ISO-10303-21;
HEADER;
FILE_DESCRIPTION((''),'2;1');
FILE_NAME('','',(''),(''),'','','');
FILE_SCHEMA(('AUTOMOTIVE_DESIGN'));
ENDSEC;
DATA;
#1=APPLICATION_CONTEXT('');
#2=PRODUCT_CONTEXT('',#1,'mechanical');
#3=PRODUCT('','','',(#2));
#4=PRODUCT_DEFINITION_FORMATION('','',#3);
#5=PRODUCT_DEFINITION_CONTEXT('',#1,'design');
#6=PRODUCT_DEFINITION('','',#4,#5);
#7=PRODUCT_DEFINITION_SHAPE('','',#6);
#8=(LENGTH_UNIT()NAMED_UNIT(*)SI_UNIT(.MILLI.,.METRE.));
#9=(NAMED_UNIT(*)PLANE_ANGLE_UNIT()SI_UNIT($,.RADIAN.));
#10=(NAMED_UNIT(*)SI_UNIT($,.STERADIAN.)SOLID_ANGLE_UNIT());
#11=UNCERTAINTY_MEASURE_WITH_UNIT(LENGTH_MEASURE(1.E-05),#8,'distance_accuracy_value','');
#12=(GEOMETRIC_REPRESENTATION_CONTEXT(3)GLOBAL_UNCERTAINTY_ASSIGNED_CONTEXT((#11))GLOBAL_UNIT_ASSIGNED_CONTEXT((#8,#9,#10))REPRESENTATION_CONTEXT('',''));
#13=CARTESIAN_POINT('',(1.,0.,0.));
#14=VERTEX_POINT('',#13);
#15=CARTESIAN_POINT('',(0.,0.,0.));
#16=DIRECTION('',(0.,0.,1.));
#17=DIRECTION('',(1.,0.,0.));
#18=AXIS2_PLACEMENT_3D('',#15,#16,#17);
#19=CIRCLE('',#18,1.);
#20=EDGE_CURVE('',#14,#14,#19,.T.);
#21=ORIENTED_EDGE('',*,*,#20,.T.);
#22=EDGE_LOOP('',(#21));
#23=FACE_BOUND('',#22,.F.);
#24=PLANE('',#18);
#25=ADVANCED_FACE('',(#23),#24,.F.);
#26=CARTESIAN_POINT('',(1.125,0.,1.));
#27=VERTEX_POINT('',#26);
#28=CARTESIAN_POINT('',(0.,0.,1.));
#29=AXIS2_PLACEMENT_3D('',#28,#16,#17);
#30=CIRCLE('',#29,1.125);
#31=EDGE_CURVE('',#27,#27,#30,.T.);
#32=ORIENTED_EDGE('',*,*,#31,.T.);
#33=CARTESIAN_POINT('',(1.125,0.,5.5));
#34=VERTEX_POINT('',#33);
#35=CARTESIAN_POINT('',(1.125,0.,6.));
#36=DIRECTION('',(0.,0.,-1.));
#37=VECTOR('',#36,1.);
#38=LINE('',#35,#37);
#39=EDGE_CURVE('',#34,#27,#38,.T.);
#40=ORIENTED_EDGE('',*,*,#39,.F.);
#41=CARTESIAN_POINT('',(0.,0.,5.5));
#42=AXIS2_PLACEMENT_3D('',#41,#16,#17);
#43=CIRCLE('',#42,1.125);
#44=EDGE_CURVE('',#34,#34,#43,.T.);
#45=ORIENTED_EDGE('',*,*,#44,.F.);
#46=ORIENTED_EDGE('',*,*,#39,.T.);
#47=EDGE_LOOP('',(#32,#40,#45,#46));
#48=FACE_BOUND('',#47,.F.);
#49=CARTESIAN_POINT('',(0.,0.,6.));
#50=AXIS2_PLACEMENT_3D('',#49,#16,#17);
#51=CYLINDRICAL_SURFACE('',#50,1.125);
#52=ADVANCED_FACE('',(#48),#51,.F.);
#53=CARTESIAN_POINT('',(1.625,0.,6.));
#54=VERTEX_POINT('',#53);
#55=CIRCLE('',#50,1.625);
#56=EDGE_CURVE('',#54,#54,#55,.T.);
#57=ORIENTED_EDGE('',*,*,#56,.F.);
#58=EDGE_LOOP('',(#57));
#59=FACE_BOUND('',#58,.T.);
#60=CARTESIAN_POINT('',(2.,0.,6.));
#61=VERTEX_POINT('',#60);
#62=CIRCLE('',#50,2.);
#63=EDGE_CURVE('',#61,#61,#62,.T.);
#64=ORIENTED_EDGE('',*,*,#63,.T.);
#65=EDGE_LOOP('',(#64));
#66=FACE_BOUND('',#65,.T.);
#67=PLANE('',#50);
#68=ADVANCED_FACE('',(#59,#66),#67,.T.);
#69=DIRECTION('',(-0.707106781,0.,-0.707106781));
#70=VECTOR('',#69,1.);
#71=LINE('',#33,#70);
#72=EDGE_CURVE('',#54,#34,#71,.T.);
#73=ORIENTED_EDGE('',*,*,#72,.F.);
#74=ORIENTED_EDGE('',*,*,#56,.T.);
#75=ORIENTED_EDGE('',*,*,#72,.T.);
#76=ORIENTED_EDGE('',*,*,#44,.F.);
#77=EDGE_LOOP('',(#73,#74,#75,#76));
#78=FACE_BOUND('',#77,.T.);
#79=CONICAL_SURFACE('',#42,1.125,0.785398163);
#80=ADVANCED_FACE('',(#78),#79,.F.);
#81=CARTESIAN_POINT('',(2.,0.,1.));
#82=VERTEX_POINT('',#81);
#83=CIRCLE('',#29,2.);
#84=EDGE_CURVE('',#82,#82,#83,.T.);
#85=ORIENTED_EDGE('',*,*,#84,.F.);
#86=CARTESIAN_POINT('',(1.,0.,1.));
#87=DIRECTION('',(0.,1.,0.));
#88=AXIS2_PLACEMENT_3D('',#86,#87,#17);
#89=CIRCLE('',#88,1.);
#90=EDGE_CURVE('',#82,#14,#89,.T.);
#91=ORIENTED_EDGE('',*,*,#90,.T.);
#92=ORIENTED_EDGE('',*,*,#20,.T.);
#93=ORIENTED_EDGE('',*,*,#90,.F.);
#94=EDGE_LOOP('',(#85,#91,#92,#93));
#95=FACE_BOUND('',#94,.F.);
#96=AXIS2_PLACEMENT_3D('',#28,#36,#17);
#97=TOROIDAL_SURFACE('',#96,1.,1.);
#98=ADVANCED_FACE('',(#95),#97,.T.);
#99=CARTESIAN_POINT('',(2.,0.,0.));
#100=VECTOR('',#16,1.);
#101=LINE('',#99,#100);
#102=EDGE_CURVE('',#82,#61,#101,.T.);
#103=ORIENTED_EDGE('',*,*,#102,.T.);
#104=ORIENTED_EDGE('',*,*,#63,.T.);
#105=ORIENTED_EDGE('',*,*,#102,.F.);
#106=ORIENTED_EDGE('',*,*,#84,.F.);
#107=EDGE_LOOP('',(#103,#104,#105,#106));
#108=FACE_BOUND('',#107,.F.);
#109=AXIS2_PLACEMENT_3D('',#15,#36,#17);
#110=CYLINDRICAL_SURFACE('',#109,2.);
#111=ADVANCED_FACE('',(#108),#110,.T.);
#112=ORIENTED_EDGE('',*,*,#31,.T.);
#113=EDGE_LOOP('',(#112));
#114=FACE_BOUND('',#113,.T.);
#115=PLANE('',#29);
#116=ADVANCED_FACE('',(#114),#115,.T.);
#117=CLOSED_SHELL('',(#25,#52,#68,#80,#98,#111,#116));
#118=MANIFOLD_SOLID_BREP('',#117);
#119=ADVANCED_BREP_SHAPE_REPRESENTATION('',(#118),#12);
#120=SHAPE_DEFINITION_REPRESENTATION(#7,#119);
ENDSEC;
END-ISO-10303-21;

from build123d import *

# Parameters (mm, degrees)
SKETCH_R     = 2
PAD_DEPTH    = 6
SKETCH001_R  = 1.125
POCKET_DEPTH = 5
CHAMFER_SIZE = 0.5
FILLET_R     = 1


with BuildPart() as part:
    # Sketch → Pad (new body)
    with BuildSketch(Plane.XY):
        Circle(SKETCH_R)
    extrude(amount=PAD_DEPTH)

    # Sketch001 (on Face3 of Pad) → Pocket (cut)
    with BuildSketch(Plane.XY.offset(6)):
        Circle(SKETCH001_R)
    extrude(amount=-POCKET_DEPTH, mode=Mode.SUBTRACT)

    # Chamfer
    chamfer_edges = [part.edges().sort_by_distance(p)[0] for p in [
        (-1.125, 0, 6),
    ]]
    chamfer(chamfer_edges, length=CHAMFER_SIZE)

    # Fillet
    fillet_edges = [part.edges().sort_by_distance(p)[0] for p in [
        (-2, 0, 0),
    ]]
    fillet(fillet_edges, radius=FILLET_R)


solid = part.part
